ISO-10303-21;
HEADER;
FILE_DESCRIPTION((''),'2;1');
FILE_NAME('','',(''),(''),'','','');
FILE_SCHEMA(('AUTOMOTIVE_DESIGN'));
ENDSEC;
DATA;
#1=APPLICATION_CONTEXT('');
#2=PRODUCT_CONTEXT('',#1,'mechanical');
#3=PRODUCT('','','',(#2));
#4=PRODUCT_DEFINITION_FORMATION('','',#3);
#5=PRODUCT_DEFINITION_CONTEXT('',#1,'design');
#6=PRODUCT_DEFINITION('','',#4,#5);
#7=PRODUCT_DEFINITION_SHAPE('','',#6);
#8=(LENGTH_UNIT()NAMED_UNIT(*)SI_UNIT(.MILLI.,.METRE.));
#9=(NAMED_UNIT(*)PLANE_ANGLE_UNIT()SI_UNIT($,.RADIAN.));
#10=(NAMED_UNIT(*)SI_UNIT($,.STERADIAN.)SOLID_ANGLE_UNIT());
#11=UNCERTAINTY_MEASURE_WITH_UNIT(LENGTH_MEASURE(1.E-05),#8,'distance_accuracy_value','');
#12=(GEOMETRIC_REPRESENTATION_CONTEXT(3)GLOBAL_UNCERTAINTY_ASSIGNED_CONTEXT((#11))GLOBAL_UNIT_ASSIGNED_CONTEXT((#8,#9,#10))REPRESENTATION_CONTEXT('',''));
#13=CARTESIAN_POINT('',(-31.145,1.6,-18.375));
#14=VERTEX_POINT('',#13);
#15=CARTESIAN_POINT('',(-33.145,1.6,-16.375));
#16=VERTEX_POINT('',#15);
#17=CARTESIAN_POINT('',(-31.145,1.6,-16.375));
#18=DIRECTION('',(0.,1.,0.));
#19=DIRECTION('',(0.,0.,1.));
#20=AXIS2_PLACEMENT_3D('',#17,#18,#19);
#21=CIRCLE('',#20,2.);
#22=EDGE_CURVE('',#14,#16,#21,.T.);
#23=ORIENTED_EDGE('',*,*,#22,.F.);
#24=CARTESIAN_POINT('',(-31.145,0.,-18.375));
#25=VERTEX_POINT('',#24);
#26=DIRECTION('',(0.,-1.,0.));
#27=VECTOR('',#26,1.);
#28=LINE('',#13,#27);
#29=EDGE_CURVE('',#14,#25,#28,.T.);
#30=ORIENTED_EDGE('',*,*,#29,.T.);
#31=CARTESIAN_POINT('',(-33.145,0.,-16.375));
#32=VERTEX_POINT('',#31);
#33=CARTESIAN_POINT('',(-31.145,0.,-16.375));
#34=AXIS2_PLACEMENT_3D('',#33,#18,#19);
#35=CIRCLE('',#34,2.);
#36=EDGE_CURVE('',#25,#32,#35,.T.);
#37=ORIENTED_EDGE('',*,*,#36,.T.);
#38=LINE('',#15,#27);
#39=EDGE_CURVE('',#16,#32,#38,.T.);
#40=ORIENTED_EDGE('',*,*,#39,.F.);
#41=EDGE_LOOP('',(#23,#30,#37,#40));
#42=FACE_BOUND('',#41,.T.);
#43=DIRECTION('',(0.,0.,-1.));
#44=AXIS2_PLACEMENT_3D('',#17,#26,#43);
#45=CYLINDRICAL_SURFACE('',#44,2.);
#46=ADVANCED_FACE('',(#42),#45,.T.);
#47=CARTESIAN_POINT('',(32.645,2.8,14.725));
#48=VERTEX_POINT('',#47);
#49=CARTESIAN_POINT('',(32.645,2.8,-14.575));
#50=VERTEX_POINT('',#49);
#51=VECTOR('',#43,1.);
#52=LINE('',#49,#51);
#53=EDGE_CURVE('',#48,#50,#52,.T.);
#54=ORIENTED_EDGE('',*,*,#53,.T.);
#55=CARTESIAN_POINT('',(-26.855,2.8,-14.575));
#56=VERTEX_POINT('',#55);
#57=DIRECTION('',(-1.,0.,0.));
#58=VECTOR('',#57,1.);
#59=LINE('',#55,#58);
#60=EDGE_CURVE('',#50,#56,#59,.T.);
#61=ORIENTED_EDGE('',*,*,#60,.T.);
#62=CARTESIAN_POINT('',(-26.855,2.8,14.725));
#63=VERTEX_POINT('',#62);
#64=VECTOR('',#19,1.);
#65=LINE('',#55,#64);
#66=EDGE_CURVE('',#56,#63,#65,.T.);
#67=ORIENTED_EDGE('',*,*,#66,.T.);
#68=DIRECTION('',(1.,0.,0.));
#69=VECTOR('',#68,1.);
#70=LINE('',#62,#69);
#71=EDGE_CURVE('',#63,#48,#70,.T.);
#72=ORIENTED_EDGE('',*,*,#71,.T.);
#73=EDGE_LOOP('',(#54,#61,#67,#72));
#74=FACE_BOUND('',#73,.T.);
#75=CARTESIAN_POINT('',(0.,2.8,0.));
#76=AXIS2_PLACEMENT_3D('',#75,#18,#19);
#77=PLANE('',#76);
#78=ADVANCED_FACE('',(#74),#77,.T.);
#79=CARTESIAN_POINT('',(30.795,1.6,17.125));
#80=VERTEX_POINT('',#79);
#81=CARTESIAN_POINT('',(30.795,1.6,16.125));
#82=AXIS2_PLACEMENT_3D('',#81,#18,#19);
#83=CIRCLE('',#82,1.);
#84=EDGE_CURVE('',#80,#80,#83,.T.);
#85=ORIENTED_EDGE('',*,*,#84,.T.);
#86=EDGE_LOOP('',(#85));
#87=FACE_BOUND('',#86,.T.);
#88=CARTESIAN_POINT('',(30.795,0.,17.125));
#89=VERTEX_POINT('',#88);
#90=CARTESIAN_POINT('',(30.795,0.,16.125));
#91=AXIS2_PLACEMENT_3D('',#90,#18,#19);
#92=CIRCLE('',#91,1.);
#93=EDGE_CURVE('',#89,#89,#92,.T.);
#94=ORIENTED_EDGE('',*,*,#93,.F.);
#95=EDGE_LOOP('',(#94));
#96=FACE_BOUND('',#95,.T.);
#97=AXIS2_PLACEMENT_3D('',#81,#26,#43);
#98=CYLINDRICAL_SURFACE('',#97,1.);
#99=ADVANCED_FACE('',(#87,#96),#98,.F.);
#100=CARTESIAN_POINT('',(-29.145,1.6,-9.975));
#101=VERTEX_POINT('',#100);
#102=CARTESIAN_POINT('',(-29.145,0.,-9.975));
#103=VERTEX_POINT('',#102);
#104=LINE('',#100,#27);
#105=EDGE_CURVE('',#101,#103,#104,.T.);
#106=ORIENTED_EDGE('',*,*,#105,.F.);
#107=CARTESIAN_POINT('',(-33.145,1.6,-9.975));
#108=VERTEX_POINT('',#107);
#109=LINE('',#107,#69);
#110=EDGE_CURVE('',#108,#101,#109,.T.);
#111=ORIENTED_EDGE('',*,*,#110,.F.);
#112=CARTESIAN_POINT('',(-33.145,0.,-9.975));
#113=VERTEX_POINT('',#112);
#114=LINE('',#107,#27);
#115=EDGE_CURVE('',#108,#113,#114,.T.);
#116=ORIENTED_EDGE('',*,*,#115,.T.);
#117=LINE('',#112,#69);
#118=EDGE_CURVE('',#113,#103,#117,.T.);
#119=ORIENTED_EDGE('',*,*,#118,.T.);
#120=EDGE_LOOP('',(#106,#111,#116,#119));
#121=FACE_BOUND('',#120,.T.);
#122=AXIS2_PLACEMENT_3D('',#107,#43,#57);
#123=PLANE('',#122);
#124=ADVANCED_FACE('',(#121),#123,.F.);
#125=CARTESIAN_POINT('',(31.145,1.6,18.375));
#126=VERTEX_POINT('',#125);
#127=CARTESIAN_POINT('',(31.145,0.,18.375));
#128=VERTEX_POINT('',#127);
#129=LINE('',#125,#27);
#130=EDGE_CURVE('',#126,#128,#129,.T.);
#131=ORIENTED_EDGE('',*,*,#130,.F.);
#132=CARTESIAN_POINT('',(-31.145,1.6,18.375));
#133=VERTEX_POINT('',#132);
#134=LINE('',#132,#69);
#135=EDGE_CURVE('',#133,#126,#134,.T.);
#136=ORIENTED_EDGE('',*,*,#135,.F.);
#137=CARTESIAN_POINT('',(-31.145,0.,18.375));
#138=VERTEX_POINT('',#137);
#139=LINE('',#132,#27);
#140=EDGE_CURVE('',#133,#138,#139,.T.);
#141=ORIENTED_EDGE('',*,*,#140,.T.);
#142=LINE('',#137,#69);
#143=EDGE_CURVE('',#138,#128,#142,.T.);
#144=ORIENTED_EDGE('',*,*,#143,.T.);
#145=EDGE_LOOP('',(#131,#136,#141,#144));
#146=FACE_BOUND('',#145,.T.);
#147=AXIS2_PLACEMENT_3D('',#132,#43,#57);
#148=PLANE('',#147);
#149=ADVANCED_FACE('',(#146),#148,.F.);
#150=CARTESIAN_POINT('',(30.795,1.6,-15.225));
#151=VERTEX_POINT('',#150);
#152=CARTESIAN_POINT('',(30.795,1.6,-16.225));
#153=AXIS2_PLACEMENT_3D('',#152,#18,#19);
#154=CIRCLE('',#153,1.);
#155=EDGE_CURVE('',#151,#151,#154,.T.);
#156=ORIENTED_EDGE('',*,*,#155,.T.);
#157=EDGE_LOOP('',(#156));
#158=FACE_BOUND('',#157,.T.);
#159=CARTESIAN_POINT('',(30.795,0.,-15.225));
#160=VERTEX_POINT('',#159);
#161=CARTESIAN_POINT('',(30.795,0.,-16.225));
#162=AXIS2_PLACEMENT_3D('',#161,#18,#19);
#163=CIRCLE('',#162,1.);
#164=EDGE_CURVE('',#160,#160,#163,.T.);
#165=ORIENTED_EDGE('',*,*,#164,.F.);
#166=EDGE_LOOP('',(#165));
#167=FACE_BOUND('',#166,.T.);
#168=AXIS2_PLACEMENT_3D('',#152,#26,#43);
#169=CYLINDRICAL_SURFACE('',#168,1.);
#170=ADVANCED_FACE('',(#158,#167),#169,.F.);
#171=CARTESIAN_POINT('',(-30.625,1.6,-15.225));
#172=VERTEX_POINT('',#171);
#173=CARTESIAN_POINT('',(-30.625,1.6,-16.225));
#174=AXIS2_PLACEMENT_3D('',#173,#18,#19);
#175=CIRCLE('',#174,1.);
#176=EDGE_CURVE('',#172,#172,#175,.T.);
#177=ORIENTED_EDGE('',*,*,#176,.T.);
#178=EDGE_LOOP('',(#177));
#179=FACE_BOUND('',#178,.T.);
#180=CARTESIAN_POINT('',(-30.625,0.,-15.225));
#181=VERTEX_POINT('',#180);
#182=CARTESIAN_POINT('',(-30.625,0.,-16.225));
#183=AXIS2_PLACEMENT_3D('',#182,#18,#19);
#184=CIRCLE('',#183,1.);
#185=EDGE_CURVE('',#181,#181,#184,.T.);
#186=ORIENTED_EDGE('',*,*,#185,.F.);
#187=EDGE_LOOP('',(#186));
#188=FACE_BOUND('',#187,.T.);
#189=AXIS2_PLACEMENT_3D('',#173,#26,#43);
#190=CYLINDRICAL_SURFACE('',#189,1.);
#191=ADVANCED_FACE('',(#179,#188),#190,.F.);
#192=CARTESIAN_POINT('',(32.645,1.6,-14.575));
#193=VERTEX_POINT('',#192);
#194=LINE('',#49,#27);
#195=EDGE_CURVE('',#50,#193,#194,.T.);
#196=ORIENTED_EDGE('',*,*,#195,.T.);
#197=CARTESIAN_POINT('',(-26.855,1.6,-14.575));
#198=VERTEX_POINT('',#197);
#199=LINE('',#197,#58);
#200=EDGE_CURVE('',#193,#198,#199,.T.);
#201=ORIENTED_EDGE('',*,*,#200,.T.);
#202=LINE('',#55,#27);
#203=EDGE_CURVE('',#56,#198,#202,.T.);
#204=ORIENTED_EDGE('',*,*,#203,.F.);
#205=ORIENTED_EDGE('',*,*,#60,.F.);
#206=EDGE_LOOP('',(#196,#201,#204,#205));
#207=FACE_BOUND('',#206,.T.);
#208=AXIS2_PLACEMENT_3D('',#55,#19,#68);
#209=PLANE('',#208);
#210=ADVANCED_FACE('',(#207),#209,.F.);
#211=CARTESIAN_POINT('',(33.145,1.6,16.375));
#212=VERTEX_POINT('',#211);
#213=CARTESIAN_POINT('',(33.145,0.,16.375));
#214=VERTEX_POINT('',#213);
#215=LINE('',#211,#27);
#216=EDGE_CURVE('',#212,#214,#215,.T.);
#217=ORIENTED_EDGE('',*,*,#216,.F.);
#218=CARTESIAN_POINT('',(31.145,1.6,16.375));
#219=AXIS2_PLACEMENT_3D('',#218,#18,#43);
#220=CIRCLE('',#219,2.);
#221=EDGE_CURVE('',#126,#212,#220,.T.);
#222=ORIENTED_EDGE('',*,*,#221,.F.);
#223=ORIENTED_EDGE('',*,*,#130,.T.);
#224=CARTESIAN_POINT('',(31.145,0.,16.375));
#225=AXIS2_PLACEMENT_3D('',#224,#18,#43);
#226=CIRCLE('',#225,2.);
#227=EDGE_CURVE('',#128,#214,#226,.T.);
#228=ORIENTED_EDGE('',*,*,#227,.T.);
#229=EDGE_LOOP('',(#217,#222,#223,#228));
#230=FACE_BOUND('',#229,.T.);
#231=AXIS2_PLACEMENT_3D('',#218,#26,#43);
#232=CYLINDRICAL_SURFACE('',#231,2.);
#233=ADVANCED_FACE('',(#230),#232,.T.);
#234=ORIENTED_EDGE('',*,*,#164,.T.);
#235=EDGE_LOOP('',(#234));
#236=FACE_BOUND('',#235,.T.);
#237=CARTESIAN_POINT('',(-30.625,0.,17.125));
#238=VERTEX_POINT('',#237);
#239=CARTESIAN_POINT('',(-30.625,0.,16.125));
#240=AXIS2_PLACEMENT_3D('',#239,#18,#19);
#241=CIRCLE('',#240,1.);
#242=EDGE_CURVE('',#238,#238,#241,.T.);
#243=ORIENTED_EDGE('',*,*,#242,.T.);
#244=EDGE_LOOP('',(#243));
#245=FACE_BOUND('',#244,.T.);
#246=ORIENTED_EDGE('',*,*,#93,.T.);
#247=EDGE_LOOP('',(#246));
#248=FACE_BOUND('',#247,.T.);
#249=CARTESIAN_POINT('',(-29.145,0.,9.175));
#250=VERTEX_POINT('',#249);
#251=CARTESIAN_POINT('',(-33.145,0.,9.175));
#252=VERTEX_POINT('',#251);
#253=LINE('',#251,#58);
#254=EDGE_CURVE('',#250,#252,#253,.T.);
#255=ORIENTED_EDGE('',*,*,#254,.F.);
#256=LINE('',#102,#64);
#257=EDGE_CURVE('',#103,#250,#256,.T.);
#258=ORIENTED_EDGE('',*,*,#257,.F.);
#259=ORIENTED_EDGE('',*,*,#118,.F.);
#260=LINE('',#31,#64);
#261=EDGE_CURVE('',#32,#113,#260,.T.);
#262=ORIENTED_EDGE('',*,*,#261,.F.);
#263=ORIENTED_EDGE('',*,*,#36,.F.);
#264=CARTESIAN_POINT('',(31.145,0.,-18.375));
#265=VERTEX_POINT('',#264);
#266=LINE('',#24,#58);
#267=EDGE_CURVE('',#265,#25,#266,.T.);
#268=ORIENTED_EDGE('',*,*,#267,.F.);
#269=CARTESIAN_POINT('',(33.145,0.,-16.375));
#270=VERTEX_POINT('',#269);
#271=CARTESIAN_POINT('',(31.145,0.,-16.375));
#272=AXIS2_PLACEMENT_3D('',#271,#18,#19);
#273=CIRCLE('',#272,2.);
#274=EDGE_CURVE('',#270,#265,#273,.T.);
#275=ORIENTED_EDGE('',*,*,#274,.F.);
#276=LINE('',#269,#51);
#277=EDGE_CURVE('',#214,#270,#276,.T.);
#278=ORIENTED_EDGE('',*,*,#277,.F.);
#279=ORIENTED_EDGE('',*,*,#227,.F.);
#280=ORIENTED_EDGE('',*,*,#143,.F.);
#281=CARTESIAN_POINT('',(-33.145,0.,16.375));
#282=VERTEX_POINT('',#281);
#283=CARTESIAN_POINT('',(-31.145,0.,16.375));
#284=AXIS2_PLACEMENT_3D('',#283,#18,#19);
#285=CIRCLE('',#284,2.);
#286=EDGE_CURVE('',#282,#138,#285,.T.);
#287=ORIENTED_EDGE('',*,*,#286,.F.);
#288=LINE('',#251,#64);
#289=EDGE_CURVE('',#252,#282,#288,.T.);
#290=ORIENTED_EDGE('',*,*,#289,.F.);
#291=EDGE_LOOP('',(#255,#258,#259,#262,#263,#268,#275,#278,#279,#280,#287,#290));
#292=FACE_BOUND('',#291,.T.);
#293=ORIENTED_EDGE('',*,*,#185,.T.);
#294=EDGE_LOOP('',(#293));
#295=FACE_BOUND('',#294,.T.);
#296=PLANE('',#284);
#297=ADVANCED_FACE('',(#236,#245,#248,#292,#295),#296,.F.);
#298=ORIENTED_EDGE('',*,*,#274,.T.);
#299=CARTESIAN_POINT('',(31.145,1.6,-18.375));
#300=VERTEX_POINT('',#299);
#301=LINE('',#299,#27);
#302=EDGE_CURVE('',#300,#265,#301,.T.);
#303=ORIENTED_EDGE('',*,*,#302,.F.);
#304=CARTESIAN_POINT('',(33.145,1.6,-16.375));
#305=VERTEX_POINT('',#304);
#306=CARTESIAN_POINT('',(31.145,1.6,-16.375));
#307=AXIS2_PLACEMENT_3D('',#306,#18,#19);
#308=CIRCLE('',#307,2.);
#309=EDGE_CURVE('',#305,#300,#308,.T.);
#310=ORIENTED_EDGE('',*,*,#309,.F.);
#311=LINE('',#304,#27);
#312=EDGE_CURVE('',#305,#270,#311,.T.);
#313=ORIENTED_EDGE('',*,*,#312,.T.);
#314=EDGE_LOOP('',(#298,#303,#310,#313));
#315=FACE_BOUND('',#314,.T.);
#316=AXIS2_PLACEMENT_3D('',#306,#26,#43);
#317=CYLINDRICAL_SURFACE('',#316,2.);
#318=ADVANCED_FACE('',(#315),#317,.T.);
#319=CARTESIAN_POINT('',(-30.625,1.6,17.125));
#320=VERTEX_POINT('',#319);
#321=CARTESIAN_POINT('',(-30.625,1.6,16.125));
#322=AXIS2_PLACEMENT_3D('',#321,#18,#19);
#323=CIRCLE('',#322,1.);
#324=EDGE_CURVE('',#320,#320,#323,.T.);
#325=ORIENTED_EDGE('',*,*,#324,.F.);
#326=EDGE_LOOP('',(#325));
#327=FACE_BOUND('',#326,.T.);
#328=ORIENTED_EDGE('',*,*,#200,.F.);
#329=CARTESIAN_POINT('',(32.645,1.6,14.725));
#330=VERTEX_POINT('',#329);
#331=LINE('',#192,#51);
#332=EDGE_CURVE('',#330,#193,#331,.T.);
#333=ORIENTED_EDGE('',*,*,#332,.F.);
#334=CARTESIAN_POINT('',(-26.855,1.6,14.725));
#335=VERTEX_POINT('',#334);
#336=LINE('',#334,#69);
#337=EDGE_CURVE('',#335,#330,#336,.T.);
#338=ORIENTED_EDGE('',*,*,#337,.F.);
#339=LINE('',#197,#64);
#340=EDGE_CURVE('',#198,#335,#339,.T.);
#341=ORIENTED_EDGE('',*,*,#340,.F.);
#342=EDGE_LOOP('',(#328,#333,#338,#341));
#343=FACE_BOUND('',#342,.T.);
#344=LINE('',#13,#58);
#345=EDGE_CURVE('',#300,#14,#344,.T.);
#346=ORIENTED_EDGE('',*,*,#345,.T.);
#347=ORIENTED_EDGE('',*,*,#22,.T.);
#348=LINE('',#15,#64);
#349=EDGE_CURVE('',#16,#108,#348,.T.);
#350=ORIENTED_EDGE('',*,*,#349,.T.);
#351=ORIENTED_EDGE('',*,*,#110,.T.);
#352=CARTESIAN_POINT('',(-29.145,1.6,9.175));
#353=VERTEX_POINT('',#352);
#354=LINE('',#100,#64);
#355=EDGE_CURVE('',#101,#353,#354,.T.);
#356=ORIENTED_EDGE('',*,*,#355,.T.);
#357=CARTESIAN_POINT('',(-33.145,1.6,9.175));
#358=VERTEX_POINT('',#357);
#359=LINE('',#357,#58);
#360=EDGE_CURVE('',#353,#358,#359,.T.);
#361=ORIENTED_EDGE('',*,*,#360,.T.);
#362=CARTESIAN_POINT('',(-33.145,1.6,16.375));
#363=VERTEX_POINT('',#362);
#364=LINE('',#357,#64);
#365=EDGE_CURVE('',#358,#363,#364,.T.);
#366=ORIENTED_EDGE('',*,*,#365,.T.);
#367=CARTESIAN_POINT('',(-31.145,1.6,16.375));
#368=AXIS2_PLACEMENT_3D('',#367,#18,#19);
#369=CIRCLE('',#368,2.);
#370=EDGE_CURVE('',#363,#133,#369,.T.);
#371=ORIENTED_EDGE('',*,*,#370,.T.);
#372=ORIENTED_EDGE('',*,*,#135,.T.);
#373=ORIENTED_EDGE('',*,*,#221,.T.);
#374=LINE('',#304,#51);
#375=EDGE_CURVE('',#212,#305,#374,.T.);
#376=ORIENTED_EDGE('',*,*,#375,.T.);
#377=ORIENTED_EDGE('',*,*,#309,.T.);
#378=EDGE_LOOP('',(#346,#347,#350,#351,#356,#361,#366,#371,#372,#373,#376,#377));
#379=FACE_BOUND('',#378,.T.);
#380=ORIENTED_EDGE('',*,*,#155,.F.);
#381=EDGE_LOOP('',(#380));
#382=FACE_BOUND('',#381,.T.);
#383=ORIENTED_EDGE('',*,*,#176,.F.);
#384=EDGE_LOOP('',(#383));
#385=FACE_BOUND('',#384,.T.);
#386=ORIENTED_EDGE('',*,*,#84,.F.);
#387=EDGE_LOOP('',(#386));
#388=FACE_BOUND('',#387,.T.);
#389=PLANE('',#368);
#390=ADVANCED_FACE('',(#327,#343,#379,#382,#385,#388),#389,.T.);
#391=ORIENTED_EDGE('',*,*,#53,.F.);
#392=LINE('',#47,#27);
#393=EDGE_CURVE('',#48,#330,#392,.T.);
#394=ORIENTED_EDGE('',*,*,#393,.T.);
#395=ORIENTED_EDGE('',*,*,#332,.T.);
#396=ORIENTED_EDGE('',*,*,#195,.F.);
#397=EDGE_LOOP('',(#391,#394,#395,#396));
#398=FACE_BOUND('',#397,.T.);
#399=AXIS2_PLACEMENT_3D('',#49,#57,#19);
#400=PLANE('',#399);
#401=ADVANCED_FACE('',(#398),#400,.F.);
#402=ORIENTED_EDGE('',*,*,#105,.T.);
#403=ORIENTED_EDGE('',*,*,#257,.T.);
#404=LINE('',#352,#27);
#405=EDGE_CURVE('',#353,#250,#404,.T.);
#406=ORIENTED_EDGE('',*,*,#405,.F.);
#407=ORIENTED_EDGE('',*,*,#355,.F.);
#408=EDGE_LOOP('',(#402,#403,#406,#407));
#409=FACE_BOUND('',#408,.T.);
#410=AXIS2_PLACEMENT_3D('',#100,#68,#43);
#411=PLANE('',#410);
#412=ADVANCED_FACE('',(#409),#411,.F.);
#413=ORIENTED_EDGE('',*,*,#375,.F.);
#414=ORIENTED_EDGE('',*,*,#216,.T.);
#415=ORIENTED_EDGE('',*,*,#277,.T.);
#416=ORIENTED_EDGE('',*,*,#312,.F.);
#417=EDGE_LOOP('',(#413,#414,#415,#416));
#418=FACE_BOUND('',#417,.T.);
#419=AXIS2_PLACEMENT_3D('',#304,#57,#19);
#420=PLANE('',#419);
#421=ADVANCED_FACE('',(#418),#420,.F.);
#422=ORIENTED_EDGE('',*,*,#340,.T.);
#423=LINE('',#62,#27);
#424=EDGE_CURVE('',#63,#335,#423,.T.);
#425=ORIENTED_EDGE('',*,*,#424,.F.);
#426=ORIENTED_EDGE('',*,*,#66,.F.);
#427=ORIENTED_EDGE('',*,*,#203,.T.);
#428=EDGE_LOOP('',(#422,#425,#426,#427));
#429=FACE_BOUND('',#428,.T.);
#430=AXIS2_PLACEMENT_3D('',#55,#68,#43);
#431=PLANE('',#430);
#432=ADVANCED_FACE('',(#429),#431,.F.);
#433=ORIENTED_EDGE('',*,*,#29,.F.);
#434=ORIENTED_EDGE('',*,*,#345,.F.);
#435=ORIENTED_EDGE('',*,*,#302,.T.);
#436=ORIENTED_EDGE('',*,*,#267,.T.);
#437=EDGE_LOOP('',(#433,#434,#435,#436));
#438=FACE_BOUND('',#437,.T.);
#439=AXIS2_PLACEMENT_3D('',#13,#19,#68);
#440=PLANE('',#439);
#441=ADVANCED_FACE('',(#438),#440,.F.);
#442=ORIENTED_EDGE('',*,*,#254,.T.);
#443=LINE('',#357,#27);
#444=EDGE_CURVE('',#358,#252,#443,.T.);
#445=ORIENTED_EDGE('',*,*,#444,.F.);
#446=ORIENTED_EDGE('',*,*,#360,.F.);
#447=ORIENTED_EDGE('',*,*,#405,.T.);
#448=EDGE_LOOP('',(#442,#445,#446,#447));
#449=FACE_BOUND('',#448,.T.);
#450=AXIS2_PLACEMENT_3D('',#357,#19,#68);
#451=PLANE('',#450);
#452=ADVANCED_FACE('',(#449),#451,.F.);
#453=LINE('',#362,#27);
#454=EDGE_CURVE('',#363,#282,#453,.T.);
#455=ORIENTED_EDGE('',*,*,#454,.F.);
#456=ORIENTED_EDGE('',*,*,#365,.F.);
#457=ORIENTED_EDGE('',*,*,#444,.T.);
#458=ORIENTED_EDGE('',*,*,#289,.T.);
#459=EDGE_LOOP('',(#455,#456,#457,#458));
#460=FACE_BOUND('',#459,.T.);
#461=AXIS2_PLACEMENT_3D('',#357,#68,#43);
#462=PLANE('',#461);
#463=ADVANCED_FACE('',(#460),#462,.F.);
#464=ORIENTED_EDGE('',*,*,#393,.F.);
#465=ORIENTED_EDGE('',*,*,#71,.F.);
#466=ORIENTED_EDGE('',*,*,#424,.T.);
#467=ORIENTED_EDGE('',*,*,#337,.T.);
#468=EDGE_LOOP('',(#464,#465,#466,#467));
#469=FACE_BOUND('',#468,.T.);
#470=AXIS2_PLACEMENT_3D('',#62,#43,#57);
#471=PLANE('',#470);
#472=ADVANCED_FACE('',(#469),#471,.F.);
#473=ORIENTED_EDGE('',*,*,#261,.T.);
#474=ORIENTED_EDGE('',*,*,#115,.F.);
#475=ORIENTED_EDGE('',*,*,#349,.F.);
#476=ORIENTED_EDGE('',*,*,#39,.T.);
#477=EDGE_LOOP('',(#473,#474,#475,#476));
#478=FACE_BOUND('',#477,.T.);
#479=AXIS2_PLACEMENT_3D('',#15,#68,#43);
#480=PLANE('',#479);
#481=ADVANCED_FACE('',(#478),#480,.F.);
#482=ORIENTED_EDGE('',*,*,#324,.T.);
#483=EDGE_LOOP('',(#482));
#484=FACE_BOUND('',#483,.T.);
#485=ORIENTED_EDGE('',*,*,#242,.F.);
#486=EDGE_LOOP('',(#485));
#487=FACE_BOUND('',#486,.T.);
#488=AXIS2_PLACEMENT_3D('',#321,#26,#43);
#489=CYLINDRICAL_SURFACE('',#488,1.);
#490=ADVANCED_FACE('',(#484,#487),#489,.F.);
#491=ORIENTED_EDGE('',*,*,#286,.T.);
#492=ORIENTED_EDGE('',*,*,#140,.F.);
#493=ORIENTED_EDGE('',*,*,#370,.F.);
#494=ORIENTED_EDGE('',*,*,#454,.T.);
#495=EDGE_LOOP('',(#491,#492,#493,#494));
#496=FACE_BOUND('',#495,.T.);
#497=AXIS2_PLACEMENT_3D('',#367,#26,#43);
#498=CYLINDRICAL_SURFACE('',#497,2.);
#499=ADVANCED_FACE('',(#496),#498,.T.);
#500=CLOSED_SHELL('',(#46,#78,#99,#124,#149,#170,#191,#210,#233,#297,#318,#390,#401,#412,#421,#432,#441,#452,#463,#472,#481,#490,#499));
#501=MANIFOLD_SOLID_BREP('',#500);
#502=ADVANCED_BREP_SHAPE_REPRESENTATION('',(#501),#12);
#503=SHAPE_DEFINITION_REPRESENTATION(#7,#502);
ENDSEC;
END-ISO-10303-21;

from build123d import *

# Parameters (mm, degrees)
SKETCH1_R           = 1
BOSS_EXTRUDE1_DEPTH = 1.6
SKETCH2_W           = 59.5
SKETCH2_H           = 29.3
BOSS_EXTRUDE2_DEPTH = 1.2


with BuildPart() as part:
    # Sketch1 → Boss-Extrude1 (new body)
    with BuildSketch(Plane(origin=(0, 0, 0), x_dir=(1, 0, 0), z_dir=(0, 1, 0))):
        with BuildLine():
            Line((-33.145, -9.175), (-33.145, -16.375))
            ThreePointArc((-33.145, -16.375), (-32.559213562, -17.789213562), (-31.145, -18.375))
            Line((-31.145, -18.375), (31.145, -18.375))
            ThreePointArc((31.145, -18.375), (32.559213562, -17.789213562), (33.145, -16.375))
            Line((33.145, -16.375), (33.145, 16.375))
            ThreePointArc((33.145, 16.375), (32.559213562, 17.789213562), (31.145, 18.375))
            Line((31.145, 18.375), (-31.145, 18.375))
            ThreePointArc((-31.145, 18.375), (-32.559213562, 17.789213562), (-33.145, 16.375))
            Line((-33.145, 16.375), (-33.145, 9.975))
            Line((-33.145, 9.975), (-29.145, 9.975))
            Line((-29.145, 9.975), (-29.145, -9.175))
            Line((-29.145, -9.175), (-33.145, -9.175))
        make_face()
        with Locations(Location((-30.625, -16.125, 0), (0, 0, 270))):
            Circle(SKETCH1_R, mode=Mode.SUBTRACT)
        with Locations(Location((30.795, -16.125, 0), (0, 0, 270))):
            Circle(SKETCH1_R, mode=Mode.SUBTRACT)
        with Locations(Location((30.795, 16.225, 0), (0, 0, 270))):
            Circle(SKETCH1_R, mode=Mode.SUBTRACT)
        with Locations(Location((-30.625, 16.225, 0), (0, 0, 270))):
            Circle(SKETCH1_R, mode=Mode.SUBTRACT)
    extrude(amount=BOSS_EXTRUDE1_DEPTH)

    # Sketch2 → Boss-Extrude2 (add)
    with BuildSketch(Plane(origin=(0, 1.6, 0), x_dir=(1, 0, 0), z_dir=(0, 1, 0))):
        with Locations((2.895, -0.075)):
            Rectangle(SKETCH2_W, SKETCH2_H)
    extrude(amount=BOSS_EXTRUDE2_DEPTH)


solid = part.part
